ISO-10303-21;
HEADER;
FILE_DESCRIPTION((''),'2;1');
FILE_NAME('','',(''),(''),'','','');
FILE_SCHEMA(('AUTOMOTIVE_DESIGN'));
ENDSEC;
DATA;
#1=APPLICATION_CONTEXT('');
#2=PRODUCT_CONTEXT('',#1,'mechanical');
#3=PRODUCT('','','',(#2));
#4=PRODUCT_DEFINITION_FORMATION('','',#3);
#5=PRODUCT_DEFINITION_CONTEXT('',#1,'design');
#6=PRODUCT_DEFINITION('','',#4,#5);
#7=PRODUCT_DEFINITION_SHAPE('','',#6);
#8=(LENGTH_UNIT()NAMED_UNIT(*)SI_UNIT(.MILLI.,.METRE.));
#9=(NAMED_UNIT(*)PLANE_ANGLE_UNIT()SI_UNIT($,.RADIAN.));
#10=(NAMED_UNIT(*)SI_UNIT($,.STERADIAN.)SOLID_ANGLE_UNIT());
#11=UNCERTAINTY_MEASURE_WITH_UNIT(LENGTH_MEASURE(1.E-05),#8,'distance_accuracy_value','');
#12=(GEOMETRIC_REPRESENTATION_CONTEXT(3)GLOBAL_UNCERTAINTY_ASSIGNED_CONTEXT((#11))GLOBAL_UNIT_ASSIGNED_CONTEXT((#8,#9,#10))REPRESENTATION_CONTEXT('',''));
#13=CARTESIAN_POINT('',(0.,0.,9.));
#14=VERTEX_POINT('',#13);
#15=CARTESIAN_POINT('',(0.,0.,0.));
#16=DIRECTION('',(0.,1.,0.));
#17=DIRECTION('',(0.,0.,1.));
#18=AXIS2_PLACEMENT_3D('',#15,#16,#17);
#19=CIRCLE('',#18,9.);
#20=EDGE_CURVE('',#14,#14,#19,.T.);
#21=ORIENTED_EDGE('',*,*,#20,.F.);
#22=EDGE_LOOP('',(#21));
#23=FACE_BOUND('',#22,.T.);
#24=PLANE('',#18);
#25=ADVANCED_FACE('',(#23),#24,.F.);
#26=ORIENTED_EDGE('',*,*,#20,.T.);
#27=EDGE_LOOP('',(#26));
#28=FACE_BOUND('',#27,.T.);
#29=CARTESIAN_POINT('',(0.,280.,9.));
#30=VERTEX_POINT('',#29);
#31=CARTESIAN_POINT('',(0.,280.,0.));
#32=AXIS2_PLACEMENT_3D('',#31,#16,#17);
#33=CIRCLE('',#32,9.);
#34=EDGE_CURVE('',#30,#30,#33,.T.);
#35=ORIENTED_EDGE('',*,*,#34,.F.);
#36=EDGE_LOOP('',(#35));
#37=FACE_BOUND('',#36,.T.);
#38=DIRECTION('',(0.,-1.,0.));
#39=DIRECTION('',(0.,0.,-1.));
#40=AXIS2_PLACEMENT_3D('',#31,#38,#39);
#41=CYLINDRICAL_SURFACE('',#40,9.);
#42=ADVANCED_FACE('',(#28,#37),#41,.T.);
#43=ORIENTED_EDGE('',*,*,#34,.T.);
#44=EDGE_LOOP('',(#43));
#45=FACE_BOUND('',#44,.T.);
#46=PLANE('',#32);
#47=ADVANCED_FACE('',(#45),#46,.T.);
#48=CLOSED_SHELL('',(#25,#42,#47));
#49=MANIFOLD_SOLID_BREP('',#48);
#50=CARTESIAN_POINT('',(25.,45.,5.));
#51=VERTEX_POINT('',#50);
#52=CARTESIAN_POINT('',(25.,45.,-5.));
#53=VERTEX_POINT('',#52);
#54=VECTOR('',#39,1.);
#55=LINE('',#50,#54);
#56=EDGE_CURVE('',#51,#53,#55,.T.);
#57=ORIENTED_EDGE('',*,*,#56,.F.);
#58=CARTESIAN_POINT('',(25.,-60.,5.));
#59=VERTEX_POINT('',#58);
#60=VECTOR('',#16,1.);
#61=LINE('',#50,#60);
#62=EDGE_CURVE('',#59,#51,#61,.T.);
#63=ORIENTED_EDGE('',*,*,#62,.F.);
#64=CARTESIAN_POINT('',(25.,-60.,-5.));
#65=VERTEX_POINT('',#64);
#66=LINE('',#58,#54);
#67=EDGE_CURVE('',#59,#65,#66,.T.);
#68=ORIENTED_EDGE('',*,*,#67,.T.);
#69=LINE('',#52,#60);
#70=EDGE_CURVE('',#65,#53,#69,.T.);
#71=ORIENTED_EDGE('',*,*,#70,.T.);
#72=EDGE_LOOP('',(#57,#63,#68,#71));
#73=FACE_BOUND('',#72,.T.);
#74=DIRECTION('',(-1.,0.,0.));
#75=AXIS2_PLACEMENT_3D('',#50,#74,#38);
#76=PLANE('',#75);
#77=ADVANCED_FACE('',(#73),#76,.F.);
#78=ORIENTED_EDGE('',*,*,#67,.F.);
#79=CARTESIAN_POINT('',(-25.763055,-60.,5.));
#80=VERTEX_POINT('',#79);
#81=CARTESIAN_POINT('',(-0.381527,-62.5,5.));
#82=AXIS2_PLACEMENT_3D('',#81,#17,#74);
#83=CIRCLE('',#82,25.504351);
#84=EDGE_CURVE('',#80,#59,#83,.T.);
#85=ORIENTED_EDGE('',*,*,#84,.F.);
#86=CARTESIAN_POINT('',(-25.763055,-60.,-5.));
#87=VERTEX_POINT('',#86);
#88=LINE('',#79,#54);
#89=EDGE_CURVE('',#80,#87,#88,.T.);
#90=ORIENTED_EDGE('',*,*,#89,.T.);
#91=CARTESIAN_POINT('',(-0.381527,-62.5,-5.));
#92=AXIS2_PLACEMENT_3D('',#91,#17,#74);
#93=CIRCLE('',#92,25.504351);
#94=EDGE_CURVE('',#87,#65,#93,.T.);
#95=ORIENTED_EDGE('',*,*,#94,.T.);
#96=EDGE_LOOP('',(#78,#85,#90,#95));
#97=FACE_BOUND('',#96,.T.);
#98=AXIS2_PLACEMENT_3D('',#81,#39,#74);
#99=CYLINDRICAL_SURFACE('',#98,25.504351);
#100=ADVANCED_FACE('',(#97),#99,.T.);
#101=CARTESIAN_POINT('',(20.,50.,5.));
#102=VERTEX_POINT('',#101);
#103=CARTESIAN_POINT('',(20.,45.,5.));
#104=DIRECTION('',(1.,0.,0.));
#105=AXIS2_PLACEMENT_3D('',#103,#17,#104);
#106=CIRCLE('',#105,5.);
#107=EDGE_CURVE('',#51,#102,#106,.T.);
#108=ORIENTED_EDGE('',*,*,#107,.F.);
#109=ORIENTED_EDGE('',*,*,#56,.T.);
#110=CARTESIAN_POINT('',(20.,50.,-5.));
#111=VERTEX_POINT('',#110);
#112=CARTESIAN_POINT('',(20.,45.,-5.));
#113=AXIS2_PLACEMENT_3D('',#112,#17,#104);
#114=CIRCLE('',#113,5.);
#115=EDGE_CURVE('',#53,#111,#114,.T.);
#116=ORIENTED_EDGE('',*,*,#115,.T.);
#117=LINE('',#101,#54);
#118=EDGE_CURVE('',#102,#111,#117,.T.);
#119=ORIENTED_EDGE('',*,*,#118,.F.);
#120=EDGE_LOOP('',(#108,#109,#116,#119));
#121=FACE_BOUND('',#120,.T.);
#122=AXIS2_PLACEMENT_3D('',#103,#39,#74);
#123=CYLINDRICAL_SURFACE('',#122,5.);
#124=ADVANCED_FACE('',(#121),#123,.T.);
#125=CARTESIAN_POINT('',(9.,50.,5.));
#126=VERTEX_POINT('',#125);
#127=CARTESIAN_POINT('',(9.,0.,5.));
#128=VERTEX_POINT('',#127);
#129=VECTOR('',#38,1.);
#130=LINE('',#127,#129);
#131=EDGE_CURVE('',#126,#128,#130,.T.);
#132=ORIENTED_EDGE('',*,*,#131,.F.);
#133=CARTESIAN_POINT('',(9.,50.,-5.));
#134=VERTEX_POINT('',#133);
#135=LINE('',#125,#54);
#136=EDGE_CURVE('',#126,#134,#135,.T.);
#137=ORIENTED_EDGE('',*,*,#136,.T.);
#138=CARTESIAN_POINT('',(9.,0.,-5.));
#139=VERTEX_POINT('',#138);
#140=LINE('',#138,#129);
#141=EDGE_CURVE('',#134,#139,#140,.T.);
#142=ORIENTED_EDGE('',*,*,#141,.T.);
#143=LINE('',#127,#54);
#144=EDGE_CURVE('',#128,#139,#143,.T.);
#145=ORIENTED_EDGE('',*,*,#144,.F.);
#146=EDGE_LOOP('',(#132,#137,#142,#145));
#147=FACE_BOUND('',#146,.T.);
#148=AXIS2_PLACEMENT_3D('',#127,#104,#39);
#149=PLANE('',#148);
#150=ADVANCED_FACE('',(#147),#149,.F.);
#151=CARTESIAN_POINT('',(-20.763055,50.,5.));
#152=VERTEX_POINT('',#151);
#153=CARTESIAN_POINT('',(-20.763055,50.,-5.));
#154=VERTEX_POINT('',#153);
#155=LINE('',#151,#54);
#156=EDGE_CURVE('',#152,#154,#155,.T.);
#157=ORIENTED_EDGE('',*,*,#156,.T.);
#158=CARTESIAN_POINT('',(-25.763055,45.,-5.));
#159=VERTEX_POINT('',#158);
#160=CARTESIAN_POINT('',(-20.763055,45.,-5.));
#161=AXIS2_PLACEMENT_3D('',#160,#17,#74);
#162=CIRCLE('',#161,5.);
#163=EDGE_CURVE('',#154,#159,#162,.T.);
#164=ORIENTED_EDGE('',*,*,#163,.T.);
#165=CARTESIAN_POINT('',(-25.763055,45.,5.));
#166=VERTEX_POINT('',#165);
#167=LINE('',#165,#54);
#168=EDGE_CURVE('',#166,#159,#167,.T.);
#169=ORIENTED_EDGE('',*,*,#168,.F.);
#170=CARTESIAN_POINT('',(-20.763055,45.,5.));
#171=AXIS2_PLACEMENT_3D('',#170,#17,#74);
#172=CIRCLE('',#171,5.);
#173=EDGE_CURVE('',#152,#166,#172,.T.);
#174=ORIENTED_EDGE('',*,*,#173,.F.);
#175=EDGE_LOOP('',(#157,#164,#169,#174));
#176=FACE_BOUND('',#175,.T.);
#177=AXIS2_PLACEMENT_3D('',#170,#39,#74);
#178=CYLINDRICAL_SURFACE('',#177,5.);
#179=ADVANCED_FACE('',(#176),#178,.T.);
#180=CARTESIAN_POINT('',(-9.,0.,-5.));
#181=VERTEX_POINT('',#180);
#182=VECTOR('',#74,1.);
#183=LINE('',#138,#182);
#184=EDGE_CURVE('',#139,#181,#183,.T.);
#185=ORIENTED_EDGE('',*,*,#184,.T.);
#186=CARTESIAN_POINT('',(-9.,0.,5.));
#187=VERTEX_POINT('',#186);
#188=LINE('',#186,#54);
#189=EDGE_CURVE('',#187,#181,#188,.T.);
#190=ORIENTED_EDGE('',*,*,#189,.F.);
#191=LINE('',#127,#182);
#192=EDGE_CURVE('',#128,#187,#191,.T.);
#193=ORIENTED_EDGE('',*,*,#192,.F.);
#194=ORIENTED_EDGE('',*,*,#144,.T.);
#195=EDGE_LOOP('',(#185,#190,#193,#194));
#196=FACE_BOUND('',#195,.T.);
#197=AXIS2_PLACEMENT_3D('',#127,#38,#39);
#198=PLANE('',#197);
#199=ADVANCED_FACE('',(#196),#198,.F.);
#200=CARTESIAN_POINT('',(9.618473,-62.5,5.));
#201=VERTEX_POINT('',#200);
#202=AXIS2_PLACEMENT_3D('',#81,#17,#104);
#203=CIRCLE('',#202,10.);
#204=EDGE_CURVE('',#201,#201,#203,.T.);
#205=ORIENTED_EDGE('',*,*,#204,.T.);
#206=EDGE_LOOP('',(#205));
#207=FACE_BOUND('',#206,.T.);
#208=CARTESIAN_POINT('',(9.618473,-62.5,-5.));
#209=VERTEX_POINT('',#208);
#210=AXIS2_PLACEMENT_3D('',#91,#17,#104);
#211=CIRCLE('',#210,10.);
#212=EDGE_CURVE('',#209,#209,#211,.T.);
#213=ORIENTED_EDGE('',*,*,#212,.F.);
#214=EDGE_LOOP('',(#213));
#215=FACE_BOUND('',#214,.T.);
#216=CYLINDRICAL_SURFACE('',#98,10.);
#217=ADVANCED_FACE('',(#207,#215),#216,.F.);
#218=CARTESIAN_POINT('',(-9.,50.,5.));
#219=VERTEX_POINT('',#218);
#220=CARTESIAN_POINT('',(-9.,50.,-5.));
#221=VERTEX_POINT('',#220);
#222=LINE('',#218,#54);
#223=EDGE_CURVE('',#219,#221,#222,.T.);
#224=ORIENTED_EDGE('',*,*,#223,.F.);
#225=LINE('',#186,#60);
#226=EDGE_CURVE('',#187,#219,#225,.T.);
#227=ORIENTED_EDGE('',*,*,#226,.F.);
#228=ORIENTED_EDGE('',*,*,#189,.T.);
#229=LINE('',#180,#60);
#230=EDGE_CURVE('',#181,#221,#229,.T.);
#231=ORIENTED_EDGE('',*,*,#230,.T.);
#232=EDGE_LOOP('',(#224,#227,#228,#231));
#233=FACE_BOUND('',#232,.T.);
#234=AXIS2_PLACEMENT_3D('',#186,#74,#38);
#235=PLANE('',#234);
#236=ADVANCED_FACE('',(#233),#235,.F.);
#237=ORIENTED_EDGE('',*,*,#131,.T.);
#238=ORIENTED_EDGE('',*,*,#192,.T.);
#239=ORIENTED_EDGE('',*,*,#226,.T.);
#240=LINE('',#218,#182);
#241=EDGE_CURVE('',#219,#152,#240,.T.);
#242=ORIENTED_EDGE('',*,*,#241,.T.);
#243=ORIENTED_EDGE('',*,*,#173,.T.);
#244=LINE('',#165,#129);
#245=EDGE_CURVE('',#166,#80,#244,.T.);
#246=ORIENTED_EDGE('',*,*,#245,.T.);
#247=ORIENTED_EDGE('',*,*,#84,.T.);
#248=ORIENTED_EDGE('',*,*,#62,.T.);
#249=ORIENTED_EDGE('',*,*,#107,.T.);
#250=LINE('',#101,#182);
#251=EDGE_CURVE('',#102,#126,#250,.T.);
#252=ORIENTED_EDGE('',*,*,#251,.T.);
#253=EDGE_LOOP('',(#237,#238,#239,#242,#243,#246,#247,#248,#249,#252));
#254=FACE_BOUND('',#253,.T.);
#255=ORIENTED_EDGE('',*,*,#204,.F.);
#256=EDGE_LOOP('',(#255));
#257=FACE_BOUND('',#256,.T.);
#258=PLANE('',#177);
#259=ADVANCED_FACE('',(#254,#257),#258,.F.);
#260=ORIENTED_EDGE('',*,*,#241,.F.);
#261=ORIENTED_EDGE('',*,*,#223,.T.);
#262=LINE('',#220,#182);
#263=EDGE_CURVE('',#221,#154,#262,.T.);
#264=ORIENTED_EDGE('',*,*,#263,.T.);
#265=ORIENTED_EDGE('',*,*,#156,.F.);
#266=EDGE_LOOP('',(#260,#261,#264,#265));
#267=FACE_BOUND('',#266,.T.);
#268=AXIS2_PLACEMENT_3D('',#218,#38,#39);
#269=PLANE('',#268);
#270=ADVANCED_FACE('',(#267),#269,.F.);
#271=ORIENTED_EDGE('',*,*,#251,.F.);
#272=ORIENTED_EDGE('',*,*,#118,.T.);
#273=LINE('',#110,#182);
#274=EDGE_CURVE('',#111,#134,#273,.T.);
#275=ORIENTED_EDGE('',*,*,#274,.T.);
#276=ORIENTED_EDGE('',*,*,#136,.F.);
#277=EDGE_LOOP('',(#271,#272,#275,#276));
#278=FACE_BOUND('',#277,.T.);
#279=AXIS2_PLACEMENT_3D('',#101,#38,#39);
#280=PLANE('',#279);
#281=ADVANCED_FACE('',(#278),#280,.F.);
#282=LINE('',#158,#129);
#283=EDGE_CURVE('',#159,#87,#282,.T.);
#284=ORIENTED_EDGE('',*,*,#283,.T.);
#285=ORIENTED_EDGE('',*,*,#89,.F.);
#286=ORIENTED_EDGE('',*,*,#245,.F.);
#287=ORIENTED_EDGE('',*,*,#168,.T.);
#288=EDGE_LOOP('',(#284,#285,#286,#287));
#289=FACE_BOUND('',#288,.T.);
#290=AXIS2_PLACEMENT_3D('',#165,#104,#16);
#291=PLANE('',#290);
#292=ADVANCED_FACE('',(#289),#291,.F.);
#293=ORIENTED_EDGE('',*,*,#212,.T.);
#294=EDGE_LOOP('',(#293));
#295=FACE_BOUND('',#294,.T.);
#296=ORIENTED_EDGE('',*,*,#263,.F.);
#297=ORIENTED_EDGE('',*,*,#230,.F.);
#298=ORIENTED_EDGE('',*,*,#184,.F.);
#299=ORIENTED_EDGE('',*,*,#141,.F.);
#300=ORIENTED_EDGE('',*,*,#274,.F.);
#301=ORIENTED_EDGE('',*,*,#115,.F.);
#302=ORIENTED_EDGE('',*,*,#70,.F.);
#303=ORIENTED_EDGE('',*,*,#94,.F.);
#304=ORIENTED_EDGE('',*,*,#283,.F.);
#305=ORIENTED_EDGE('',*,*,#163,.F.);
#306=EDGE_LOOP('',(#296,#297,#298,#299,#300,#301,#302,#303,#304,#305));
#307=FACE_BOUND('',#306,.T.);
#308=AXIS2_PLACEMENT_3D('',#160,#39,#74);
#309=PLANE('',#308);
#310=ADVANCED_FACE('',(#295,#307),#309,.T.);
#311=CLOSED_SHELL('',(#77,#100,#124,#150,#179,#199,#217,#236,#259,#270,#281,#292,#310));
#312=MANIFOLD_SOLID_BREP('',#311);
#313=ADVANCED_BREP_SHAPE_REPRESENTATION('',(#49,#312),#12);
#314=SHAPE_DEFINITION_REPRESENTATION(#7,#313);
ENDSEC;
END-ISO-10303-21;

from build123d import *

# Parameters (mm, degrees)
SKETCH1_R           = 9
BOSS_EXTRUDE1_DEPTH = 280
SKETCH2_R           = 10
BOSS_EXTRUDE2_DEPTH = 5


with BuildPart() as part:
    # Sketch1 → Boss-Extrude1 (new body)
    with BuildSketch(Plane(origin=(0, 0, 0), x_dir=(1, 0, 0), z_dir=(0, 1, 0))):
        with Locations(Location((0, 0, 0), (0, 0, 270))):
            Circle(SKETCH1_R)
    extrude(amount=BOSS_EXTRUDE1_DEPTH)


with BuildPart() as body_2:
    # Sketch2 → Boss-Extrude2 (new, symmetric)
    with BuildSketch(Plane.XY):
        with BuildLine():
            Line((20, 50), (9, 50))
            Line((9, 50), (9, 0))
            Line((9, 0), (-9, 0))
            Line((-9, 0), (-9, 50))
            Line((-9, 50), (-20.763054614, 50))
            ThreePointArc((-20.763054614, 50), (-24.29858852, 48.535533906), (-25.763054614, 45))
            Line((-25.763054614, 45), (-25.763054614, -60))
            ThreePointArc((-25.763054614, -60), (-0.381527307, -88.004351167), (25, -60))
            Line((25, -60), (25, 45))
            ThreePointArc((25, 45), (23.535533906, 48.535533906), (20, 50))
        make_face()
        with Locations((-0.381527307, -62.5)):
            Circle(SKETCH2_R, mode=Mode.SUBTRACT)
    extrude(amount=BOSS_EXTRUDE2_DEPTH, both=True)


solid = Compound([part.part, body_2.part])
